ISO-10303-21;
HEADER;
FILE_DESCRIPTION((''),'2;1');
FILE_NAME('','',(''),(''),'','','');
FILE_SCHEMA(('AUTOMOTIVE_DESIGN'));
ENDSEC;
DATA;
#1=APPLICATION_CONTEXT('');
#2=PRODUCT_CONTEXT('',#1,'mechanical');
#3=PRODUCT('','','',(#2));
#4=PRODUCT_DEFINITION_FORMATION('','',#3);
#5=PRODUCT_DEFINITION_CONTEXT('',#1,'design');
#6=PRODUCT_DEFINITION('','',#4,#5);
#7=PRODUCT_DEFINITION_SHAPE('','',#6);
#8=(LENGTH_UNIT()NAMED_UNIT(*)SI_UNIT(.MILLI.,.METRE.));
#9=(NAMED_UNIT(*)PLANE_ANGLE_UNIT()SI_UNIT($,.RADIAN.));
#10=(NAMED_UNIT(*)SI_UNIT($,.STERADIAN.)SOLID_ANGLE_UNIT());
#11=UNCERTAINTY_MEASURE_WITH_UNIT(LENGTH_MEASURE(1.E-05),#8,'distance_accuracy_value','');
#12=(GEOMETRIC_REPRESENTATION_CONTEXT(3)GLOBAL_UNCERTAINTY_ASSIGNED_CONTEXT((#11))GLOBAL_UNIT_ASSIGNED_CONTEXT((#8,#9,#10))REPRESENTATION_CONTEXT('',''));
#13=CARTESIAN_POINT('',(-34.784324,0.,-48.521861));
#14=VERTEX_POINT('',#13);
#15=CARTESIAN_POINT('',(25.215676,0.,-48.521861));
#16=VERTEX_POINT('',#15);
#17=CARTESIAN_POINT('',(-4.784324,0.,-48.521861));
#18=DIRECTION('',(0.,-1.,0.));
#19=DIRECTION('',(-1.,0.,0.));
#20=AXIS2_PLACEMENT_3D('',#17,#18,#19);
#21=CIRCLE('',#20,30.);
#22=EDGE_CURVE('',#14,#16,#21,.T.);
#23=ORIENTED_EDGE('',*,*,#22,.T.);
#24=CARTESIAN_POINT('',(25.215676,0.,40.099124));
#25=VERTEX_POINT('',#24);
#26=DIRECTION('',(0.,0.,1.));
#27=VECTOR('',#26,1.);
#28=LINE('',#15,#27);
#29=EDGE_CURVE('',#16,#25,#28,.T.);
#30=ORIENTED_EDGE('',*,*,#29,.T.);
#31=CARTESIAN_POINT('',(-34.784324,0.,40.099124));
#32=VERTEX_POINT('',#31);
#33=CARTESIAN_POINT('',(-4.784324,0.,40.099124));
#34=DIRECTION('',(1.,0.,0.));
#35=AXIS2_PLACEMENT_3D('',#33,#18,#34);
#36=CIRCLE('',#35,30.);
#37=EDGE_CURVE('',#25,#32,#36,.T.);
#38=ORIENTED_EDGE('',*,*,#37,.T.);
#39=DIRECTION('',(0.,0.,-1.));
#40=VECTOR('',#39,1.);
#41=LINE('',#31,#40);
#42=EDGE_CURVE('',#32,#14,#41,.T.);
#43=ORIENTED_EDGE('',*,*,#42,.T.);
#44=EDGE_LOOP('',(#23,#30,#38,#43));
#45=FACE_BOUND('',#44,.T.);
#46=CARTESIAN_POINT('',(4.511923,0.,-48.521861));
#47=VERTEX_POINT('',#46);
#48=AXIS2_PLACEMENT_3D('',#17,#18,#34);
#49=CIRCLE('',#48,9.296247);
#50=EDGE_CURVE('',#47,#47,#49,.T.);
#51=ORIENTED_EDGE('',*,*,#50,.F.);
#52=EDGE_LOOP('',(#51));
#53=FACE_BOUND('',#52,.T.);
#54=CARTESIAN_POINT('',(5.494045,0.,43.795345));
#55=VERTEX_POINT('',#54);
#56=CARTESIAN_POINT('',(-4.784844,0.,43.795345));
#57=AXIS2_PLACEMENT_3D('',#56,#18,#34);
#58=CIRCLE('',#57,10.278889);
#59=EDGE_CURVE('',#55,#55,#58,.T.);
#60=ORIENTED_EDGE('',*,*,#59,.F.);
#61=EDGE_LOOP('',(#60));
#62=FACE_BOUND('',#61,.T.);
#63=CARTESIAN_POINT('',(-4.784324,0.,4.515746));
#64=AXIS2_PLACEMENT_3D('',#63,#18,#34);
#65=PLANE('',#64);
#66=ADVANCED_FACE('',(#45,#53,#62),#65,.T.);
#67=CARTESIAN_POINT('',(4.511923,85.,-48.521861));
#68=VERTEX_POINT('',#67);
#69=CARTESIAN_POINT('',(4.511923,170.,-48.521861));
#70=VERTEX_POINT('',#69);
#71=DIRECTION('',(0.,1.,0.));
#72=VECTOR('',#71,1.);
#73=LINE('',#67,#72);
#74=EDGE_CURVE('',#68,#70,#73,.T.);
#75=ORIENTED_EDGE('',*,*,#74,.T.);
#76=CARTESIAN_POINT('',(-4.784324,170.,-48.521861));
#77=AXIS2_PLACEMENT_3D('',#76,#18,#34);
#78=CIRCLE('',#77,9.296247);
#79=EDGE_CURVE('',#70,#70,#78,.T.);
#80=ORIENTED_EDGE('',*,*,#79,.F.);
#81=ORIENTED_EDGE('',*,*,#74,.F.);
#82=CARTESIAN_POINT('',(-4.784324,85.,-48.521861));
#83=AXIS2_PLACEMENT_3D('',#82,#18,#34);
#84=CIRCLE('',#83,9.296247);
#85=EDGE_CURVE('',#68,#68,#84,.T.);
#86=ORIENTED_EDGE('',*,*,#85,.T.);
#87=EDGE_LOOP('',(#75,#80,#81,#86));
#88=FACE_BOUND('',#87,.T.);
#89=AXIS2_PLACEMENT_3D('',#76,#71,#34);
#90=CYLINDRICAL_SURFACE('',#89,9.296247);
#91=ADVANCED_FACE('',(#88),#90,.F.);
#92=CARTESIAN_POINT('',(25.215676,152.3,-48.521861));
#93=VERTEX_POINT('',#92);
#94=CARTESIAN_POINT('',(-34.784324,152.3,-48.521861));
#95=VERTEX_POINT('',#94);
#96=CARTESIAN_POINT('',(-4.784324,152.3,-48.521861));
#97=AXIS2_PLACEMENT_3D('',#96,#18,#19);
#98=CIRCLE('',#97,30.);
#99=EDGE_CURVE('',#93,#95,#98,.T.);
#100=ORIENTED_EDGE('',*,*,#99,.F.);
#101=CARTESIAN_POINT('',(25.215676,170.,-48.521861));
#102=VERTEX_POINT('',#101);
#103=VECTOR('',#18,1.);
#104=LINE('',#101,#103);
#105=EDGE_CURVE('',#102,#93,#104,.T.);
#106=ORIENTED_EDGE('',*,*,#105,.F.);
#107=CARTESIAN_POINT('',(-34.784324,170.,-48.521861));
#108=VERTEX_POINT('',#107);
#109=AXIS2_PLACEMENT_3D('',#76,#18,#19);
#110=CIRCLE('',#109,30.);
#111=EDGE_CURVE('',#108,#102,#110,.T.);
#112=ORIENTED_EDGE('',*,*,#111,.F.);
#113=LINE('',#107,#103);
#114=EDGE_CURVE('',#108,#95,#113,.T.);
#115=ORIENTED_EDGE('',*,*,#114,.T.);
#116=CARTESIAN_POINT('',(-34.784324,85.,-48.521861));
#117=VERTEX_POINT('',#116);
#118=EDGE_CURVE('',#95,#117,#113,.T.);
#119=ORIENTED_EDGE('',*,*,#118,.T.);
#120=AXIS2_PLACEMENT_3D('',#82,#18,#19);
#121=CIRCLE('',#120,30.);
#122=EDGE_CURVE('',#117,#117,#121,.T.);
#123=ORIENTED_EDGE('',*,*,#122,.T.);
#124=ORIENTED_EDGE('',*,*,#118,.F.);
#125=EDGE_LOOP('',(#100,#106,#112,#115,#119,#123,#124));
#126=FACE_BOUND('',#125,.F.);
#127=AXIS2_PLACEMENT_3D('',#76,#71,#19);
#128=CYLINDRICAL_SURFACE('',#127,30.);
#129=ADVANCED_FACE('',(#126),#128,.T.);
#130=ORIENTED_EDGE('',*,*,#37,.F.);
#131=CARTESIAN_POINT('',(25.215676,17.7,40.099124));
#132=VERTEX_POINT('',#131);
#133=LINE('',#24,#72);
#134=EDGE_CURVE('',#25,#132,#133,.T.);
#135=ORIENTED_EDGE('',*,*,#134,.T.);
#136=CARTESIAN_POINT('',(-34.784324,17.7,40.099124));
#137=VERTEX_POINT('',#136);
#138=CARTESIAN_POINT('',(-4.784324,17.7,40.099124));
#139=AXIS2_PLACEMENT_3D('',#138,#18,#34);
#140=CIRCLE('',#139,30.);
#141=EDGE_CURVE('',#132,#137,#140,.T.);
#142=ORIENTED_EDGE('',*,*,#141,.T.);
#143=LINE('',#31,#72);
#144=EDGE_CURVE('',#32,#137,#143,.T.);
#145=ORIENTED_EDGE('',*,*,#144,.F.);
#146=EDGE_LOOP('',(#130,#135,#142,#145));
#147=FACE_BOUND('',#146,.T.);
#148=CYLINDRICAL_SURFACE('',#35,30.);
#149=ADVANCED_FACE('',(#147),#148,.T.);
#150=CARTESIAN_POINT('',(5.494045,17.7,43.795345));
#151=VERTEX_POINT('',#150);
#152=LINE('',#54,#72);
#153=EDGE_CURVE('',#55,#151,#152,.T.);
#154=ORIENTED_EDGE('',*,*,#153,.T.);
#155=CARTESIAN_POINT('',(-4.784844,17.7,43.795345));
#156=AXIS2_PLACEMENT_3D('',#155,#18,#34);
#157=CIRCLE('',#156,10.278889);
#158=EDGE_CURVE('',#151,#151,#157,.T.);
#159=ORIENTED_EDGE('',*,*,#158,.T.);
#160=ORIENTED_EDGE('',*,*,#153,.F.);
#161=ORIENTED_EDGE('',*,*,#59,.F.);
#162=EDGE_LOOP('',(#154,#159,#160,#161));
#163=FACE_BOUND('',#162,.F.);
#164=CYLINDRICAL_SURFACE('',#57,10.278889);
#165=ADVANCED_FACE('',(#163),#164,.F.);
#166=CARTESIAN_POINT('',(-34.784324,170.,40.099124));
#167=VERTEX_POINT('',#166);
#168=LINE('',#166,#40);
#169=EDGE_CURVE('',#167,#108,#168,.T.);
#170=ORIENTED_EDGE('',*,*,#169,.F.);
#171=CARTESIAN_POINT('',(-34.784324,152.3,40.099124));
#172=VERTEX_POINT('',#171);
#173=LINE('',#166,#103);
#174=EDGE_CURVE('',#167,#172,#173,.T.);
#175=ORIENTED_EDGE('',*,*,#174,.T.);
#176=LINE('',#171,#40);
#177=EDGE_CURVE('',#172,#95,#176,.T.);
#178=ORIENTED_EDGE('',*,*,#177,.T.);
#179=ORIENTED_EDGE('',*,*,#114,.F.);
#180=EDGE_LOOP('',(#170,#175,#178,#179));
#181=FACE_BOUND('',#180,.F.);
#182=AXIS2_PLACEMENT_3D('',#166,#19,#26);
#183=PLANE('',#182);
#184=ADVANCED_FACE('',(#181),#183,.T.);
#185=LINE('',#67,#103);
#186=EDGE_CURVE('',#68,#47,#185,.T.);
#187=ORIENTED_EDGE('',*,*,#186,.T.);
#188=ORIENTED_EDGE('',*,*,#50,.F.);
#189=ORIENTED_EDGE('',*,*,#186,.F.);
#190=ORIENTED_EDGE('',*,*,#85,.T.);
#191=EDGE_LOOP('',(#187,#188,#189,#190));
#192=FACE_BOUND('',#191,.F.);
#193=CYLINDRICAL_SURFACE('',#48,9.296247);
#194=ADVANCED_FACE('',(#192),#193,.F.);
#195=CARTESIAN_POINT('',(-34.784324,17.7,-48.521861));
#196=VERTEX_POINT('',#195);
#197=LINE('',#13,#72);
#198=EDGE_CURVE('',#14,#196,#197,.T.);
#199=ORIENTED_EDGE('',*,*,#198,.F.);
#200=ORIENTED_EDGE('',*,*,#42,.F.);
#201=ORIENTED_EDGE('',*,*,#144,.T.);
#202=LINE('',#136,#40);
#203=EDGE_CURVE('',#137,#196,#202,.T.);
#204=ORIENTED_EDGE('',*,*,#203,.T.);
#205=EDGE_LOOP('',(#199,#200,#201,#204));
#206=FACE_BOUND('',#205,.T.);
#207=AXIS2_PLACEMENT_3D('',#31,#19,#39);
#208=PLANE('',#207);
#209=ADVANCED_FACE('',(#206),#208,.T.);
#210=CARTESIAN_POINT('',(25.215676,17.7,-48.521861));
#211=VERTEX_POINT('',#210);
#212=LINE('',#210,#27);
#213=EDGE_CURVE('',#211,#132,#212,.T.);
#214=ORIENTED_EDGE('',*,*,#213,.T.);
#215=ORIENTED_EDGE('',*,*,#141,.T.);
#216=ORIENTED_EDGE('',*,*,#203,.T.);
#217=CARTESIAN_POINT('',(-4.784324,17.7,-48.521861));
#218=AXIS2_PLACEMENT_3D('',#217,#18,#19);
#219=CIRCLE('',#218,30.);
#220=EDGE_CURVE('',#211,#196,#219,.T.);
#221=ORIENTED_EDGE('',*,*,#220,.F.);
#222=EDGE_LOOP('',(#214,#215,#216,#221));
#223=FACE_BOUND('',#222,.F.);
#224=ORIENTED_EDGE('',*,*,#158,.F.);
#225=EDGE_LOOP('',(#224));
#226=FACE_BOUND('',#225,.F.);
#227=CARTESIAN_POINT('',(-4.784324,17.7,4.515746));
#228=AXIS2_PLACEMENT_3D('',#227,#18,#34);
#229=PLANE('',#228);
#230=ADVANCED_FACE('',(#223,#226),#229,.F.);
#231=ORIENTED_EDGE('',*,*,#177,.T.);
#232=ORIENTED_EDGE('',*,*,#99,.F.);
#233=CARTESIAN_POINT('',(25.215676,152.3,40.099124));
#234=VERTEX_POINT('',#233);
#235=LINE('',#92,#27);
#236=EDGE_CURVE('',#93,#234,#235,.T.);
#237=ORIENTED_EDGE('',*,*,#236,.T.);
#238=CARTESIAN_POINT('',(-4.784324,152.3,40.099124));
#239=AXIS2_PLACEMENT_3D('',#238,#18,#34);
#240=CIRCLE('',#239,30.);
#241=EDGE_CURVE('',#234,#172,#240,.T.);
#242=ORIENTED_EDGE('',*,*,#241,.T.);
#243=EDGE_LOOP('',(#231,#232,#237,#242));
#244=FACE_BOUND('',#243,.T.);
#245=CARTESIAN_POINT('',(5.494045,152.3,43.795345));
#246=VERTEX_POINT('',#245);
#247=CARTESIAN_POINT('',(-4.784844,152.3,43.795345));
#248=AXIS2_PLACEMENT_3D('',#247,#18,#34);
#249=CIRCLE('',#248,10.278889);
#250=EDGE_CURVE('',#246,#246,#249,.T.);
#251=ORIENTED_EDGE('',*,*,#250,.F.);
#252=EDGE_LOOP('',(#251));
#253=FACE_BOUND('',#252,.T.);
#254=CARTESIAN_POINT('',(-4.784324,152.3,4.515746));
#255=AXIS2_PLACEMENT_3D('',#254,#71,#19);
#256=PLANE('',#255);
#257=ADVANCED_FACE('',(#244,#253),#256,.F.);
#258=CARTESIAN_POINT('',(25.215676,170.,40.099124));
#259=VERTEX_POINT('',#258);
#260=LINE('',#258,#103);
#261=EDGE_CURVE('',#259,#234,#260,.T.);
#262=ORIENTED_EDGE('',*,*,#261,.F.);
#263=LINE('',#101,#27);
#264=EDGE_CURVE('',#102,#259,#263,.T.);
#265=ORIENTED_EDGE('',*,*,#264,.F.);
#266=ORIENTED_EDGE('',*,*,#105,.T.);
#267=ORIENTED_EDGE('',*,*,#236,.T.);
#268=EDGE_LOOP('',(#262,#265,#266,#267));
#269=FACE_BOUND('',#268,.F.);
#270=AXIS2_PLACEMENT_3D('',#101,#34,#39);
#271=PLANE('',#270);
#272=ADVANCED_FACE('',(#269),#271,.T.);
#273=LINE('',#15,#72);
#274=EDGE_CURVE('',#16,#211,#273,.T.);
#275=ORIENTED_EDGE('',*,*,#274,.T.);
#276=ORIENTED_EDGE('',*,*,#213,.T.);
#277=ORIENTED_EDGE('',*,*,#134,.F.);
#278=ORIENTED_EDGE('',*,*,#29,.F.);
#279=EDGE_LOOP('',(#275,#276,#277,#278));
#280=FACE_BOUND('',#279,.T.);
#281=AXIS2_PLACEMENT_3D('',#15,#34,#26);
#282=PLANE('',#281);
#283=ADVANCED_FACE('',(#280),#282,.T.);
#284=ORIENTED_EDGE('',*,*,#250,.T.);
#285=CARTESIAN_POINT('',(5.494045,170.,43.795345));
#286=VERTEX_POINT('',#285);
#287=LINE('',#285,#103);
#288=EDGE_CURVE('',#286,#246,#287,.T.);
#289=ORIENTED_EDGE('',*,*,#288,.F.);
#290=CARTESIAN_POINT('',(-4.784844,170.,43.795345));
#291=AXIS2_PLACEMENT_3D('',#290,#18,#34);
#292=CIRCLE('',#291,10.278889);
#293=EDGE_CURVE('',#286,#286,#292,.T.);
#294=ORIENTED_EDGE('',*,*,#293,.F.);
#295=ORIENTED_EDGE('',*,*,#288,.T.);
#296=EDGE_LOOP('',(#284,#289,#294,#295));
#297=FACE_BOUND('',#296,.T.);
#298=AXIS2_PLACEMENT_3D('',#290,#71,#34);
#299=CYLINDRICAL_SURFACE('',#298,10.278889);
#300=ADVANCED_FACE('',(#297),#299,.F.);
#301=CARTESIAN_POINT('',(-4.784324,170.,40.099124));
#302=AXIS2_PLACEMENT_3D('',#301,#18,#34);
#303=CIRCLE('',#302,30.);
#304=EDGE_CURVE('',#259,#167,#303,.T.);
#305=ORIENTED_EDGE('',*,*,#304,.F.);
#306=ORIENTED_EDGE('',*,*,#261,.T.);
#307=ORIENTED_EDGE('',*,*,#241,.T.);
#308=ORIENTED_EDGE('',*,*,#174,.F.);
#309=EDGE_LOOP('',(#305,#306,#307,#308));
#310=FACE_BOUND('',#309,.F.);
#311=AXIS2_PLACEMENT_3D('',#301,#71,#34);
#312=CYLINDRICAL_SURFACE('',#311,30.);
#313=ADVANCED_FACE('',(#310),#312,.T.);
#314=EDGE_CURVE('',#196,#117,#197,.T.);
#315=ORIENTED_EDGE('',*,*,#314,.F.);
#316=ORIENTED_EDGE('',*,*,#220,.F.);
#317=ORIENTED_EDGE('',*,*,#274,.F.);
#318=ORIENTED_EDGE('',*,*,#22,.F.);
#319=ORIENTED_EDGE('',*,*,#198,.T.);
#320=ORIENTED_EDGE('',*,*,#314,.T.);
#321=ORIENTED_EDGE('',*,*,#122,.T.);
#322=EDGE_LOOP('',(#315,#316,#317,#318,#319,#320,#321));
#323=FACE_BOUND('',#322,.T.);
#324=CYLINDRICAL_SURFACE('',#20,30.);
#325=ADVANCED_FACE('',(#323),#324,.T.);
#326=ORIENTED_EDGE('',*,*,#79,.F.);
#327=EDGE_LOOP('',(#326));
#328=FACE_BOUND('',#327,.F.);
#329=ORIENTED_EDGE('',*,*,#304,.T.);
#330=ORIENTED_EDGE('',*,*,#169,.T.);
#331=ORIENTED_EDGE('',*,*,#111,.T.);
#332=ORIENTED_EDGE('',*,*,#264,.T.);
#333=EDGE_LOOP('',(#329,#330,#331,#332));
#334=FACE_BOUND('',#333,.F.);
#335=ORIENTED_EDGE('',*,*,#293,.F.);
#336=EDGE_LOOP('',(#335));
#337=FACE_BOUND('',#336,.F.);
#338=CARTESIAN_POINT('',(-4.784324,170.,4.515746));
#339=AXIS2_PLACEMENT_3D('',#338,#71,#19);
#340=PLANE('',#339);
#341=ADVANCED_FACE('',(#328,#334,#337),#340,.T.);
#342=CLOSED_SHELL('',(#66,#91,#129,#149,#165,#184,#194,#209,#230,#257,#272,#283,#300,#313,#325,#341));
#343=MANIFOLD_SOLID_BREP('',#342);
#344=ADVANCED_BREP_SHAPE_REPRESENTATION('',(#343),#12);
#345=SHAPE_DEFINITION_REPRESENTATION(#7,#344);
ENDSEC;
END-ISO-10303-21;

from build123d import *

# Parameters (mm, degrees)
F0_R     = 9.296247
F1_DEPTH = 85
F0_R_2   = 10.278889
F2_DEPTH = 17.7


with BuildPart() as f1:
    # F0 (on Front) → F1 (new body)
    with BuildSketch(Plane.XZ):
        with BuildLine():
            ThreePointArc((25.215676, -48.521861), (-4.784324, -18.521861), (-34.784324, -48.521861))
            ThreePointArc((-34.784324, -48.521861), (-4.784324, -78.521861), (25.215676, -48.521861))
        make_face()
        with Locations((-4.784324, -48.521861)):
            Circle(F0_R, mode=Mode.SUBTRACT)
    extrude(amount=-F1_DEPTH)

    # F0 (on Front) → F2 (join)
    with BuildSketch(Plane.XZ):
        with BuildLine():
            ThreePointArc((25.215676, 40.099124), (-4.784324, 70.099124), (-34.784324, 40.099124))
            Line((-34.784324, 40.099124), (-34.784324, -48.521861))
            ThreePointArc((-34.784324, -48.521861), (-4.784324, -18.521861), (25.215676, -48.521861))
            Line((25.215676, -48.521861), (25.215676, 40.099124))
        make_face()
        with Locations((-4.784844, 43.795345)):
            Circle(F0_R_2, mode=Mode.SUBTRACT)
        with BuildLine():
            ThreePointArc((25.215676, -48.521861), (-4.784324, -18.521861), (-34.784324, -48.521861))
            ThreePointArc((-34.784324, -48.521861), (-4.784324, -78.521861), (25.215676, -48.521861))
        make_face()
        with Locations((-4.784324, -48.521861)):
            Circle(F0_R, mode=Mode.SUBTRACT)
    extrude(amount=-F2_DEPTH)

    # F4: F1 across plane


with BuildPart() as f1_1:
    add(f1.part)
    add(f1.part.mirror(Plane.XZ.offset(-85)))


solid = f1_1.part
